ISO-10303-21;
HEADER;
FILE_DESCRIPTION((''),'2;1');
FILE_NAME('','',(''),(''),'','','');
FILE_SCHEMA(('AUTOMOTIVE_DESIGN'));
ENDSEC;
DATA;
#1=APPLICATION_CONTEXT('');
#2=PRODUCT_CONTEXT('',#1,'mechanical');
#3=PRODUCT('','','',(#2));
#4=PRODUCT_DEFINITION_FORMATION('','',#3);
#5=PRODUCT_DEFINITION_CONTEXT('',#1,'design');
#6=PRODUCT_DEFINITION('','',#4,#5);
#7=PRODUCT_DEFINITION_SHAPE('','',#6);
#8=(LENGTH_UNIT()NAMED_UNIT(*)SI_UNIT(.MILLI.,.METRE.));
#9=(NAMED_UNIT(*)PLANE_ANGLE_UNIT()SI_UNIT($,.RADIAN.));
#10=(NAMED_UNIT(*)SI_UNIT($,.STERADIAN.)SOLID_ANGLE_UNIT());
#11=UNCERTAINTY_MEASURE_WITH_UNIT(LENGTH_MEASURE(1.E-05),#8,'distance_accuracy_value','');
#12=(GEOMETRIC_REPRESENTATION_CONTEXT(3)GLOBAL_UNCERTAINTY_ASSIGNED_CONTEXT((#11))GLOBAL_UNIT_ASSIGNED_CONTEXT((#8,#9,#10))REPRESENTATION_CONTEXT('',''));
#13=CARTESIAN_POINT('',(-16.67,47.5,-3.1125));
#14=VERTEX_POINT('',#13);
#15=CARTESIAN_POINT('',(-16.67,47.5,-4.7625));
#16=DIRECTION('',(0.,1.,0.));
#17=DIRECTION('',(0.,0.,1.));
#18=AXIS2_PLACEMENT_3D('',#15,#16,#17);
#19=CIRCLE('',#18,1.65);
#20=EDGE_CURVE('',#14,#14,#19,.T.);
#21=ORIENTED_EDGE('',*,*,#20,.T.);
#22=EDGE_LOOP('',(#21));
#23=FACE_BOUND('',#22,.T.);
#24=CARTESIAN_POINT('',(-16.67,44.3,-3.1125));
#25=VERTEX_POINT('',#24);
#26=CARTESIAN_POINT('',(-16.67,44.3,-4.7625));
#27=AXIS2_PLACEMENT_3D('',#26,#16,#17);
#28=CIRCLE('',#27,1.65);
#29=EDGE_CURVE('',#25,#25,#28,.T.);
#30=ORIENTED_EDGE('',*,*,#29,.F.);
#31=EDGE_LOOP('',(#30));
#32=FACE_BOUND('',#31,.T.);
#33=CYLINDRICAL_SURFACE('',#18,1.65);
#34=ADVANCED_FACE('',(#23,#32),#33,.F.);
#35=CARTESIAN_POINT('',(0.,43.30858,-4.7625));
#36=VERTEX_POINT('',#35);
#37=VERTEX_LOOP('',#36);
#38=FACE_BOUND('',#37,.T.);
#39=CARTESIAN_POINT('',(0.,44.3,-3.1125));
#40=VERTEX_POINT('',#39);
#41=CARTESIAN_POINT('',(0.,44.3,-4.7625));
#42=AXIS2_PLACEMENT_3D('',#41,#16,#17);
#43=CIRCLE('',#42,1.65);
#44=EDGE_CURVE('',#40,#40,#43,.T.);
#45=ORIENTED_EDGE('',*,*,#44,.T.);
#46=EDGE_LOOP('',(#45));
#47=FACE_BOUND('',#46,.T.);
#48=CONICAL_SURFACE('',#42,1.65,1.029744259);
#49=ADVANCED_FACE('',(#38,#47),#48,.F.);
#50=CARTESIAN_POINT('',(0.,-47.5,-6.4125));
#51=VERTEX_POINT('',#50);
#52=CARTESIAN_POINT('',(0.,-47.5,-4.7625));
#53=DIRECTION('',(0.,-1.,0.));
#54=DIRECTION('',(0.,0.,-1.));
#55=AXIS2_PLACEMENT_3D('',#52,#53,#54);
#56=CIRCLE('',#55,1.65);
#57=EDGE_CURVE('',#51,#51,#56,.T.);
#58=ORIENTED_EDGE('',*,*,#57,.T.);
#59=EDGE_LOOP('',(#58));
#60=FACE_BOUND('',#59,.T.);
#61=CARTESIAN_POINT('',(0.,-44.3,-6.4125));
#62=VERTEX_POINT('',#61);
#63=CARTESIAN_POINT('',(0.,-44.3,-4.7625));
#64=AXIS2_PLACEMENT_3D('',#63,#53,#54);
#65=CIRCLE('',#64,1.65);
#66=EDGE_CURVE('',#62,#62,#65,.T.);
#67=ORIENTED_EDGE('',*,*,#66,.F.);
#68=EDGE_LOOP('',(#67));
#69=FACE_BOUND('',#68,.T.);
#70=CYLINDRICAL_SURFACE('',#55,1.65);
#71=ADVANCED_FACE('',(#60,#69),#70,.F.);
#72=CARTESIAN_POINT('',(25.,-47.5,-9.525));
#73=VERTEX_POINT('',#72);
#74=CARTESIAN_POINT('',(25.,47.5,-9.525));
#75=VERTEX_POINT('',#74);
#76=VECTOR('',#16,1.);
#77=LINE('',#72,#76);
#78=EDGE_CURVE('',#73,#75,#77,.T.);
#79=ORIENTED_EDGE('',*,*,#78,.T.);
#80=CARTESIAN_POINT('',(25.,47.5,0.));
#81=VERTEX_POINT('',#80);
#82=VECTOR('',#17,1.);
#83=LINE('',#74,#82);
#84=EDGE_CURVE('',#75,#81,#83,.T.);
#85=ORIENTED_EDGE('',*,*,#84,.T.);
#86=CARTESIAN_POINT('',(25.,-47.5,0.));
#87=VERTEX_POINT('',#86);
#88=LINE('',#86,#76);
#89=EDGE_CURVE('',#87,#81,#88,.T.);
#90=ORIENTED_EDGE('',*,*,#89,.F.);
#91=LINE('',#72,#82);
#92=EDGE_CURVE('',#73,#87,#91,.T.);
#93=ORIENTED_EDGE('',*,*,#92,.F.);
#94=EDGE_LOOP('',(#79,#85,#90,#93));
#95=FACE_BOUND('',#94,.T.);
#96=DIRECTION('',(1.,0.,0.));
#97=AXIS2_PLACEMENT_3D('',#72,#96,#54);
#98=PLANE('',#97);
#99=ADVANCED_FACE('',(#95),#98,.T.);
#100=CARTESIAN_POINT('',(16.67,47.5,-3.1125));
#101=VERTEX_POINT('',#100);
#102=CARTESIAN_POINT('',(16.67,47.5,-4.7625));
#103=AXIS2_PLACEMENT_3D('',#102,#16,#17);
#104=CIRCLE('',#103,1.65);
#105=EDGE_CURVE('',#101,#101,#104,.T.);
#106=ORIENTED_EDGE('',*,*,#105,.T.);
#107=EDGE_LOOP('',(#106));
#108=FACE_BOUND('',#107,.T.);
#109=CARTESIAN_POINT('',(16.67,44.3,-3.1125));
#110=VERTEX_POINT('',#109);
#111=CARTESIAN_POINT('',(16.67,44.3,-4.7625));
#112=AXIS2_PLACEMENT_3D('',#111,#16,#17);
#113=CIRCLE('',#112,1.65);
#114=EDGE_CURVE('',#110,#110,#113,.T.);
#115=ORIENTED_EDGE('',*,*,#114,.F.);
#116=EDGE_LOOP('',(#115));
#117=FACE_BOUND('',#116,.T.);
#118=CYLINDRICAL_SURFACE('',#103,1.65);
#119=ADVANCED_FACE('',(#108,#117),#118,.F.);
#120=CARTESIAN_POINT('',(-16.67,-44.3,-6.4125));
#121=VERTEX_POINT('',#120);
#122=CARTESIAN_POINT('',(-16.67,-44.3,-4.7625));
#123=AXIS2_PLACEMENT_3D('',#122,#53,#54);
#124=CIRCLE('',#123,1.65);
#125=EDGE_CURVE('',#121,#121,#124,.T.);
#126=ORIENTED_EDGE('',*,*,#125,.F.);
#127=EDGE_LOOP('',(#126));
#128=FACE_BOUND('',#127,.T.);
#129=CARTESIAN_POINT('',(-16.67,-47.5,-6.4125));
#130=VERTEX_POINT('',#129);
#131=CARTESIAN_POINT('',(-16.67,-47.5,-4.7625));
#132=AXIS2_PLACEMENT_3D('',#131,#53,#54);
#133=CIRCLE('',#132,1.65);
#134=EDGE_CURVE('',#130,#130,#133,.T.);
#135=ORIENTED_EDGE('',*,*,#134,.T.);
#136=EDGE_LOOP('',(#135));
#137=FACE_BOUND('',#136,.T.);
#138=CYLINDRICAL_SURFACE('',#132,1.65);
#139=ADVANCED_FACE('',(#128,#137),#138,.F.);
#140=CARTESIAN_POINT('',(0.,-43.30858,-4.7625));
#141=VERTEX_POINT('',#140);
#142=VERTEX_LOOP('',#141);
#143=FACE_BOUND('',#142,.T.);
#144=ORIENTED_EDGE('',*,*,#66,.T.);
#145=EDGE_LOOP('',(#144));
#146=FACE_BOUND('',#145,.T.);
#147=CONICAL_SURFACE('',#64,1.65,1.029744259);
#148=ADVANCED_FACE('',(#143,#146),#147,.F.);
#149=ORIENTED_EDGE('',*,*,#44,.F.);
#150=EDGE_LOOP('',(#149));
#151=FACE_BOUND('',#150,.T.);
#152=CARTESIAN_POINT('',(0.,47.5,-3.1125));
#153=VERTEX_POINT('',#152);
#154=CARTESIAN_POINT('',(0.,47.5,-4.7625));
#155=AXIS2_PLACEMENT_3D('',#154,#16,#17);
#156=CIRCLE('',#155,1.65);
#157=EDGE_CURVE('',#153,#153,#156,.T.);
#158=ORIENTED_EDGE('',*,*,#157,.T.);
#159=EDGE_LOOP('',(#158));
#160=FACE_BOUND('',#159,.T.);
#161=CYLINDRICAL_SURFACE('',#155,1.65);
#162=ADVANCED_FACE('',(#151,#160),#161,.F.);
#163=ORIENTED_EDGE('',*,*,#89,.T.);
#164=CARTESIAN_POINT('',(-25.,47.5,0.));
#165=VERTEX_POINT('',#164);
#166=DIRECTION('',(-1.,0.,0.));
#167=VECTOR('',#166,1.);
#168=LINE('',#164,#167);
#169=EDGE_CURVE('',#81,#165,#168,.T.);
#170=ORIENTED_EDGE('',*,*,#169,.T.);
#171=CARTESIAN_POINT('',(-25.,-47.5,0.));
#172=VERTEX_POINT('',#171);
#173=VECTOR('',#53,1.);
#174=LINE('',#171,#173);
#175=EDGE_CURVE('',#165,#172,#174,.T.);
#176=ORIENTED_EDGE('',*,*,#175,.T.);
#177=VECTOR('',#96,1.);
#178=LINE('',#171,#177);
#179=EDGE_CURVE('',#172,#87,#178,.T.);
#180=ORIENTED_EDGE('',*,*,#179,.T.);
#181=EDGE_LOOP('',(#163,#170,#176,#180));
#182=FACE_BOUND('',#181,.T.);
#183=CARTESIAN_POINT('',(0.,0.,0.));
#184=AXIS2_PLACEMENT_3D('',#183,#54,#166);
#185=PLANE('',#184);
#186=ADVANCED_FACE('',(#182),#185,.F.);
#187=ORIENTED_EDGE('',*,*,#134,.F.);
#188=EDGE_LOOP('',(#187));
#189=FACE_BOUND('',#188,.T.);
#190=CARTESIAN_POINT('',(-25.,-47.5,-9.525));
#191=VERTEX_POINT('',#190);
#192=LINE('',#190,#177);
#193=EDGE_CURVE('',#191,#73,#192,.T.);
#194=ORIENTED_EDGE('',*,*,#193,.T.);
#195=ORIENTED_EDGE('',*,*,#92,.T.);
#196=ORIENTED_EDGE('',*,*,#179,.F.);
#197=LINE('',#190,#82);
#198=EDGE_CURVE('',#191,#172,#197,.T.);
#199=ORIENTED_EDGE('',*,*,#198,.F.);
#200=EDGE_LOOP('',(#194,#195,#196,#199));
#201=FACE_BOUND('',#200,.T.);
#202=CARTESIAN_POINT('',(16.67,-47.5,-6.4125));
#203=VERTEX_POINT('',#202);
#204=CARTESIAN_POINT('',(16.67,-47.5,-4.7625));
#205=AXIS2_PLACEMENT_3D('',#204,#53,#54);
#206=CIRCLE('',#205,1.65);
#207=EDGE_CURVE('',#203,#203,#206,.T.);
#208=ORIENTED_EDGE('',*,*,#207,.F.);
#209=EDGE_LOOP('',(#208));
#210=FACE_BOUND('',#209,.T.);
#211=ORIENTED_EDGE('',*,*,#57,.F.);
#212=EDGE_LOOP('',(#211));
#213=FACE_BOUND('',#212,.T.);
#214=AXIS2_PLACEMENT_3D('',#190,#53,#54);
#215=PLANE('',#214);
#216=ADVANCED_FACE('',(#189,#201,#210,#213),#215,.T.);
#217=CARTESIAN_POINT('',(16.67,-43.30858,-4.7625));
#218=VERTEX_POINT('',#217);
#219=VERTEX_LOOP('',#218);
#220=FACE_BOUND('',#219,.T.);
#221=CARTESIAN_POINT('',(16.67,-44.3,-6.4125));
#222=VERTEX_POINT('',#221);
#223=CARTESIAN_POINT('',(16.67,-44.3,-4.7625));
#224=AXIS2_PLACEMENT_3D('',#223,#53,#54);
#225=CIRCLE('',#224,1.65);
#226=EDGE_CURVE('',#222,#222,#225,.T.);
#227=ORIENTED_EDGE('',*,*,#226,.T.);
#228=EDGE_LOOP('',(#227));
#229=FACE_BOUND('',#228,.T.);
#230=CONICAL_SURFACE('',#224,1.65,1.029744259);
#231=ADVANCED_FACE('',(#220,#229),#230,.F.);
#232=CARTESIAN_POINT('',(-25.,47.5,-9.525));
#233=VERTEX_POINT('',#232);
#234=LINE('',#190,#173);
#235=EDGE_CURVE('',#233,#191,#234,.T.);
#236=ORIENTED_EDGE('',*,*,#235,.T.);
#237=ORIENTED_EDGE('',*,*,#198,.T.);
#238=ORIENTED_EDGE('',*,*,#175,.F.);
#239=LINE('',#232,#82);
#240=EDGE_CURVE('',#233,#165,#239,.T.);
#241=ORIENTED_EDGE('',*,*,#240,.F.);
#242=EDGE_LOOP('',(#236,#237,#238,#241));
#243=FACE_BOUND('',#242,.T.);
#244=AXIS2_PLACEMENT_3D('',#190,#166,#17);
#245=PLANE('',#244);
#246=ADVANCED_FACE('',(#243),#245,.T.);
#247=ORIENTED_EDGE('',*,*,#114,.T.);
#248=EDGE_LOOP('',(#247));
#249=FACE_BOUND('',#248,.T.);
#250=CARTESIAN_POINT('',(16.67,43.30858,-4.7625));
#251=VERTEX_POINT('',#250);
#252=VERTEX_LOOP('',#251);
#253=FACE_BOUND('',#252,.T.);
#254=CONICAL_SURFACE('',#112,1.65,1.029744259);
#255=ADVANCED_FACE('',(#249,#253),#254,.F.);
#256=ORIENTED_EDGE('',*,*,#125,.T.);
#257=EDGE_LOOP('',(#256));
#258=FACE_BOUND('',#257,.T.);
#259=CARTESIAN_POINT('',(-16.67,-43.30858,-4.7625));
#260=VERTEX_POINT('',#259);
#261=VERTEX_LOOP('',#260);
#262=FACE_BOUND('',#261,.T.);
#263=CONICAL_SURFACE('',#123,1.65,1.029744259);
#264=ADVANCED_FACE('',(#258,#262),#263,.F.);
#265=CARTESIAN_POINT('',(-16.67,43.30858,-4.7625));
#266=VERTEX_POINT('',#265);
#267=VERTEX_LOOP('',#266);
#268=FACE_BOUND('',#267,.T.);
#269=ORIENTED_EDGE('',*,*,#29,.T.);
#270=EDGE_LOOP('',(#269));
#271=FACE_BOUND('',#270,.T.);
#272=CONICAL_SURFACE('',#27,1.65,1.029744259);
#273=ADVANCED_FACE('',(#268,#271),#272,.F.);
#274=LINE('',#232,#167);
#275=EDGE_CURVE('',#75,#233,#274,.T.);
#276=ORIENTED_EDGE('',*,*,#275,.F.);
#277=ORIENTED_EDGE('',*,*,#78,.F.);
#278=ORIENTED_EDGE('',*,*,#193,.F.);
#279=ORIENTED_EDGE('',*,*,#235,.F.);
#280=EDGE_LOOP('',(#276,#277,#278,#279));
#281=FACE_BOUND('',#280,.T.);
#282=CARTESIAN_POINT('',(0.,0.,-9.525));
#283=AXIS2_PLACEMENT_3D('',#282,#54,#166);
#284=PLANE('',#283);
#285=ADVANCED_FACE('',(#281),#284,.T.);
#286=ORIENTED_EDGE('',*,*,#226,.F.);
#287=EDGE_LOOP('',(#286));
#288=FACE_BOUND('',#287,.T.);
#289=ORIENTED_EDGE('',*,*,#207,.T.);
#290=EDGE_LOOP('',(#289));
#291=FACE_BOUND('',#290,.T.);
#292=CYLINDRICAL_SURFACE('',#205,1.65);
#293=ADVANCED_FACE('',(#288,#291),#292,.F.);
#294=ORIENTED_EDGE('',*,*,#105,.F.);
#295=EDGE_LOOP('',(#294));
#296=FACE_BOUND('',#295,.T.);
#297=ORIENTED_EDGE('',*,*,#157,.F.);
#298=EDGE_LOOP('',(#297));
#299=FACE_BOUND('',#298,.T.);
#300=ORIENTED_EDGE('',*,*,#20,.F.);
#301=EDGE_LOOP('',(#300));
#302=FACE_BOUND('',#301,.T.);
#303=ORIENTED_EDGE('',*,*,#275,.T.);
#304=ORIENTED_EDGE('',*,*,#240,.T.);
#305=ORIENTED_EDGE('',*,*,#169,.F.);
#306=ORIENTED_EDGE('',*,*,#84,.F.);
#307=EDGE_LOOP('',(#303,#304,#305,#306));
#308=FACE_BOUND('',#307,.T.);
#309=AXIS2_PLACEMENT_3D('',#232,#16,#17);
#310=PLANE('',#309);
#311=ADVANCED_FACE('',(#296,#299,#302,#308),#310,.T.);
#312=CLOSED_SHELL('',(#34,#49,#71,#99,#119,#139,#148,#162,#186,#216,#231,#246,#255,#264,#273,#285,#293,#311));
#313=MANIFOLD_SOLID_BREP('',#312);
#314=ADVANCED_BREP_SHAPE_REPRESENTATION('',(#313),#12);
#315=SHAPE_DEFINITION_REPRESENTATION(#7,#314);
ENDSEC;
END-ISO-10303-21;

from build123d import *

# Parameters (mm, degrees)
SKETCH1_W                       = 50
SKETCH1_H                       = 95
BOSS_EXTRUDE1_DEPTH             = 9.525
TAP_DRILL_FOR_M4X0_7_TAP1_D     = 3.3
TAP_DRILL_FOR_M4X0_7_TAP1_DEPTH = 3.2
TAP_DRILL_FOR_M4X0_7_TAP1_TIP   = 0.991420021
TAP_DRILL_FOR_M4X0_7_TAP2_D     = 3.3
TAP_DRILL_FOR_M4X0_7_TAP2_DEPTH = 3.2
TAP_DRILL_FOR_M4X0_7_TAP2_TIP   = 0.991420021


with BuildPart() as part:
    # Sketch1 → Boss-Extrude1 (new body)
    with BuildSketch(Plane.XY):
        Rectangle(SKETCH1_W, SKETCH1_H)
    extrude(amount=-BOSS_EXTRUDE1_DEPTH)

    # Tap Drill for M4x0.7 Tap1
    with Locations(Plane.XZ.offset(47.5)):
        with Locations((16.67, -4.7625), (0, -4.7625), (-16.67, -4.7625)):
            Hole(TAP_DRILL_FOR_M4X0_7_TAP1_D / 2, depth=TAP_DRILL_FOR_M4X0_7_TAP1_DEPTH)
            with Locations((0, 0, -(TAP_DRILL_FOR_M4X0_7_TAP1_DEPTH + TAP_DRILL_FOR_M4X0_7_TAP1_TIP / 2))):  # 118° drill point
                Cone(0, TAP_DRILL_FOR_M4X0_7_TAP1_D / 2, TAP_DRILL_FOR_M4X0_7_TAP1_TIP, mode=Mode.SUBTRACT)

    # Tap Drill for M4x0.7 Tap2
    with Locations(Plane(origin=(0, 47.5, 0), x_dir=(1, 0, 0), z_dir=(0, 1, 0))):
        with Locations((0, 4.7625), (16.67, 4.7625), (-16.67, 4.7625)):
            Hole(TAP_DRILL_FOR_M4X0_7_TAP2_D / 2, depth=TAP_DRILL_FOR_M4X0_7_TAP2_DEPTH)
            with Locations((0, 0, -(TAP_DRILL_FOR_M4X0_7_TAP2_DEPTH + TAP_DRILL_FOR_M4X0_7_TAP2_TIP / 2))):  # 118° drill point
                Cone(0, TAP_DRILL_FOR_M4X0_7_TAP2_D / 2, TAP_DRILL_FOR_M4X0_7_TAP2_TIP, mode=Mode.SUBTRACT)


solid = part.part
